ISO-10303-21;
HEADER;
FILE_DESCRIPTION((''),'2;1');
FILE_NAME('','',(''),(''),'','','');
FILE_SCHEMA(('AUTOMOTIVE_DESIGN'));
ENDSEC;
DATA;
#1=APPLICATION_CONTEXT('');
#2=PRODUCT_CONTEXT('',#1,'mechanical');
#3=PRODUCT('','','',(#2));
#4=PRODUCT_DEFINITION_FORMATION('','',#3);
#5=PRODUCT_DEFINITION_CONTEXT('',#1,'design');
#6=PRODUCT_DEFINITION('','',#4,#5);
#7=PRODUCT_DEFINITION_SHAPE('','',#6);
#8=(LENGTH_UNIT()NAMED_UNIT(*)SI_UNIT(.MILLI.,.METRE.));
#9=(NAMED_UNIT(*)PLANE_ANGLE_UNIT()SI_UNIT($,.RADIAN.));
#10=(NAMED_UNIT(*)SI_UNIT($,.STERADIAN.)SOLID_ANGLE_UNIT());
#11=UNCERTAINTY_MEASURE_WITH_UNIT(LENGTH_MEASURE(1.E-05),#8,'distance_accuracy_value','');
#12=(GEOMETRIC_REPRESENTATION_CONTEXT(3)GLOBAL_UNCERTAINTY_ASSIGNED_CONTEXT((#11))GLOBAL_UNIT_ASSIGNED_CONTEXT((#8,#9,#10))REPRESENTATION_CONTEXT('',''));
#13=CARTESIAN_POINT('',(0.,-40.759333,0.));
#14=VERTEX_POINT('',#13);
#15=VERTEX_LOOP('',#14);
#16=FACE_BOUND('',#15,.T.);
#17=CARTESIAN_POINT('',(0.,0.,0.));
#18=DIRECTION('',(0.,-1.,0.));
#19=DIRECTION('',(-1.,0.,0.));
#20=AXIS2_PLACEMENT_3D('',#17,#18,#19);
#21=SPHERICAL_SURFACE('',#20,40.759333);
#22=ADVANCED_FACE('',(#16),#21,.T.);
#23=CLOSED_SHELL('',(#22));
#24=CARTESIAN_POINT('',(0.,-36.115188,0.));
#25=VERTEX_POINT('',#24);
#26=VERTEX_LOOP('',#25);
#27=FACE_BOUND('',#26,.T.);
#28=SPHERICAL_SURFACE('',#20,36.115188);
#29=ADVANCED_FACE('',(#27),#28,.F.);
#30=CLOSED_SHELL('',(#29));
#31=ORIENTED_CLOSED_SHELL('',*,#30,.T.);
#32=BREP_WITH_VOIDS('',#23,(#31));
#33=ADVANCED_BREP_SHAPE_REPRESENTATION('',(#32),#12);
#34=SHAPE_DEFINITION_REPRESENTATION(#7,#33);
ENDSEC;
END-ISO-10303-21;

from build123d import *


with BuildPart() as part:
    # Sketch1 → Revolve5 (revolve)
    with BuildSketch(Plane.XY):
        with BuildLine():
            Line((0, 40.759333193), (0, 36.115188227))
            ThreePointArc((0, 36.115188227), (36.115188227, 0), (0, -36.115188227))
            Line((0, -36.115188227), (0, -40.759333193))
            ThreePointArc((0, -40.759333193), (40.759333193, 0), (0, 40.759333193))
        make_face()
    revolve(axis=Axis((0, 0, 0), (0, 1, 0)))


solid = part.part
